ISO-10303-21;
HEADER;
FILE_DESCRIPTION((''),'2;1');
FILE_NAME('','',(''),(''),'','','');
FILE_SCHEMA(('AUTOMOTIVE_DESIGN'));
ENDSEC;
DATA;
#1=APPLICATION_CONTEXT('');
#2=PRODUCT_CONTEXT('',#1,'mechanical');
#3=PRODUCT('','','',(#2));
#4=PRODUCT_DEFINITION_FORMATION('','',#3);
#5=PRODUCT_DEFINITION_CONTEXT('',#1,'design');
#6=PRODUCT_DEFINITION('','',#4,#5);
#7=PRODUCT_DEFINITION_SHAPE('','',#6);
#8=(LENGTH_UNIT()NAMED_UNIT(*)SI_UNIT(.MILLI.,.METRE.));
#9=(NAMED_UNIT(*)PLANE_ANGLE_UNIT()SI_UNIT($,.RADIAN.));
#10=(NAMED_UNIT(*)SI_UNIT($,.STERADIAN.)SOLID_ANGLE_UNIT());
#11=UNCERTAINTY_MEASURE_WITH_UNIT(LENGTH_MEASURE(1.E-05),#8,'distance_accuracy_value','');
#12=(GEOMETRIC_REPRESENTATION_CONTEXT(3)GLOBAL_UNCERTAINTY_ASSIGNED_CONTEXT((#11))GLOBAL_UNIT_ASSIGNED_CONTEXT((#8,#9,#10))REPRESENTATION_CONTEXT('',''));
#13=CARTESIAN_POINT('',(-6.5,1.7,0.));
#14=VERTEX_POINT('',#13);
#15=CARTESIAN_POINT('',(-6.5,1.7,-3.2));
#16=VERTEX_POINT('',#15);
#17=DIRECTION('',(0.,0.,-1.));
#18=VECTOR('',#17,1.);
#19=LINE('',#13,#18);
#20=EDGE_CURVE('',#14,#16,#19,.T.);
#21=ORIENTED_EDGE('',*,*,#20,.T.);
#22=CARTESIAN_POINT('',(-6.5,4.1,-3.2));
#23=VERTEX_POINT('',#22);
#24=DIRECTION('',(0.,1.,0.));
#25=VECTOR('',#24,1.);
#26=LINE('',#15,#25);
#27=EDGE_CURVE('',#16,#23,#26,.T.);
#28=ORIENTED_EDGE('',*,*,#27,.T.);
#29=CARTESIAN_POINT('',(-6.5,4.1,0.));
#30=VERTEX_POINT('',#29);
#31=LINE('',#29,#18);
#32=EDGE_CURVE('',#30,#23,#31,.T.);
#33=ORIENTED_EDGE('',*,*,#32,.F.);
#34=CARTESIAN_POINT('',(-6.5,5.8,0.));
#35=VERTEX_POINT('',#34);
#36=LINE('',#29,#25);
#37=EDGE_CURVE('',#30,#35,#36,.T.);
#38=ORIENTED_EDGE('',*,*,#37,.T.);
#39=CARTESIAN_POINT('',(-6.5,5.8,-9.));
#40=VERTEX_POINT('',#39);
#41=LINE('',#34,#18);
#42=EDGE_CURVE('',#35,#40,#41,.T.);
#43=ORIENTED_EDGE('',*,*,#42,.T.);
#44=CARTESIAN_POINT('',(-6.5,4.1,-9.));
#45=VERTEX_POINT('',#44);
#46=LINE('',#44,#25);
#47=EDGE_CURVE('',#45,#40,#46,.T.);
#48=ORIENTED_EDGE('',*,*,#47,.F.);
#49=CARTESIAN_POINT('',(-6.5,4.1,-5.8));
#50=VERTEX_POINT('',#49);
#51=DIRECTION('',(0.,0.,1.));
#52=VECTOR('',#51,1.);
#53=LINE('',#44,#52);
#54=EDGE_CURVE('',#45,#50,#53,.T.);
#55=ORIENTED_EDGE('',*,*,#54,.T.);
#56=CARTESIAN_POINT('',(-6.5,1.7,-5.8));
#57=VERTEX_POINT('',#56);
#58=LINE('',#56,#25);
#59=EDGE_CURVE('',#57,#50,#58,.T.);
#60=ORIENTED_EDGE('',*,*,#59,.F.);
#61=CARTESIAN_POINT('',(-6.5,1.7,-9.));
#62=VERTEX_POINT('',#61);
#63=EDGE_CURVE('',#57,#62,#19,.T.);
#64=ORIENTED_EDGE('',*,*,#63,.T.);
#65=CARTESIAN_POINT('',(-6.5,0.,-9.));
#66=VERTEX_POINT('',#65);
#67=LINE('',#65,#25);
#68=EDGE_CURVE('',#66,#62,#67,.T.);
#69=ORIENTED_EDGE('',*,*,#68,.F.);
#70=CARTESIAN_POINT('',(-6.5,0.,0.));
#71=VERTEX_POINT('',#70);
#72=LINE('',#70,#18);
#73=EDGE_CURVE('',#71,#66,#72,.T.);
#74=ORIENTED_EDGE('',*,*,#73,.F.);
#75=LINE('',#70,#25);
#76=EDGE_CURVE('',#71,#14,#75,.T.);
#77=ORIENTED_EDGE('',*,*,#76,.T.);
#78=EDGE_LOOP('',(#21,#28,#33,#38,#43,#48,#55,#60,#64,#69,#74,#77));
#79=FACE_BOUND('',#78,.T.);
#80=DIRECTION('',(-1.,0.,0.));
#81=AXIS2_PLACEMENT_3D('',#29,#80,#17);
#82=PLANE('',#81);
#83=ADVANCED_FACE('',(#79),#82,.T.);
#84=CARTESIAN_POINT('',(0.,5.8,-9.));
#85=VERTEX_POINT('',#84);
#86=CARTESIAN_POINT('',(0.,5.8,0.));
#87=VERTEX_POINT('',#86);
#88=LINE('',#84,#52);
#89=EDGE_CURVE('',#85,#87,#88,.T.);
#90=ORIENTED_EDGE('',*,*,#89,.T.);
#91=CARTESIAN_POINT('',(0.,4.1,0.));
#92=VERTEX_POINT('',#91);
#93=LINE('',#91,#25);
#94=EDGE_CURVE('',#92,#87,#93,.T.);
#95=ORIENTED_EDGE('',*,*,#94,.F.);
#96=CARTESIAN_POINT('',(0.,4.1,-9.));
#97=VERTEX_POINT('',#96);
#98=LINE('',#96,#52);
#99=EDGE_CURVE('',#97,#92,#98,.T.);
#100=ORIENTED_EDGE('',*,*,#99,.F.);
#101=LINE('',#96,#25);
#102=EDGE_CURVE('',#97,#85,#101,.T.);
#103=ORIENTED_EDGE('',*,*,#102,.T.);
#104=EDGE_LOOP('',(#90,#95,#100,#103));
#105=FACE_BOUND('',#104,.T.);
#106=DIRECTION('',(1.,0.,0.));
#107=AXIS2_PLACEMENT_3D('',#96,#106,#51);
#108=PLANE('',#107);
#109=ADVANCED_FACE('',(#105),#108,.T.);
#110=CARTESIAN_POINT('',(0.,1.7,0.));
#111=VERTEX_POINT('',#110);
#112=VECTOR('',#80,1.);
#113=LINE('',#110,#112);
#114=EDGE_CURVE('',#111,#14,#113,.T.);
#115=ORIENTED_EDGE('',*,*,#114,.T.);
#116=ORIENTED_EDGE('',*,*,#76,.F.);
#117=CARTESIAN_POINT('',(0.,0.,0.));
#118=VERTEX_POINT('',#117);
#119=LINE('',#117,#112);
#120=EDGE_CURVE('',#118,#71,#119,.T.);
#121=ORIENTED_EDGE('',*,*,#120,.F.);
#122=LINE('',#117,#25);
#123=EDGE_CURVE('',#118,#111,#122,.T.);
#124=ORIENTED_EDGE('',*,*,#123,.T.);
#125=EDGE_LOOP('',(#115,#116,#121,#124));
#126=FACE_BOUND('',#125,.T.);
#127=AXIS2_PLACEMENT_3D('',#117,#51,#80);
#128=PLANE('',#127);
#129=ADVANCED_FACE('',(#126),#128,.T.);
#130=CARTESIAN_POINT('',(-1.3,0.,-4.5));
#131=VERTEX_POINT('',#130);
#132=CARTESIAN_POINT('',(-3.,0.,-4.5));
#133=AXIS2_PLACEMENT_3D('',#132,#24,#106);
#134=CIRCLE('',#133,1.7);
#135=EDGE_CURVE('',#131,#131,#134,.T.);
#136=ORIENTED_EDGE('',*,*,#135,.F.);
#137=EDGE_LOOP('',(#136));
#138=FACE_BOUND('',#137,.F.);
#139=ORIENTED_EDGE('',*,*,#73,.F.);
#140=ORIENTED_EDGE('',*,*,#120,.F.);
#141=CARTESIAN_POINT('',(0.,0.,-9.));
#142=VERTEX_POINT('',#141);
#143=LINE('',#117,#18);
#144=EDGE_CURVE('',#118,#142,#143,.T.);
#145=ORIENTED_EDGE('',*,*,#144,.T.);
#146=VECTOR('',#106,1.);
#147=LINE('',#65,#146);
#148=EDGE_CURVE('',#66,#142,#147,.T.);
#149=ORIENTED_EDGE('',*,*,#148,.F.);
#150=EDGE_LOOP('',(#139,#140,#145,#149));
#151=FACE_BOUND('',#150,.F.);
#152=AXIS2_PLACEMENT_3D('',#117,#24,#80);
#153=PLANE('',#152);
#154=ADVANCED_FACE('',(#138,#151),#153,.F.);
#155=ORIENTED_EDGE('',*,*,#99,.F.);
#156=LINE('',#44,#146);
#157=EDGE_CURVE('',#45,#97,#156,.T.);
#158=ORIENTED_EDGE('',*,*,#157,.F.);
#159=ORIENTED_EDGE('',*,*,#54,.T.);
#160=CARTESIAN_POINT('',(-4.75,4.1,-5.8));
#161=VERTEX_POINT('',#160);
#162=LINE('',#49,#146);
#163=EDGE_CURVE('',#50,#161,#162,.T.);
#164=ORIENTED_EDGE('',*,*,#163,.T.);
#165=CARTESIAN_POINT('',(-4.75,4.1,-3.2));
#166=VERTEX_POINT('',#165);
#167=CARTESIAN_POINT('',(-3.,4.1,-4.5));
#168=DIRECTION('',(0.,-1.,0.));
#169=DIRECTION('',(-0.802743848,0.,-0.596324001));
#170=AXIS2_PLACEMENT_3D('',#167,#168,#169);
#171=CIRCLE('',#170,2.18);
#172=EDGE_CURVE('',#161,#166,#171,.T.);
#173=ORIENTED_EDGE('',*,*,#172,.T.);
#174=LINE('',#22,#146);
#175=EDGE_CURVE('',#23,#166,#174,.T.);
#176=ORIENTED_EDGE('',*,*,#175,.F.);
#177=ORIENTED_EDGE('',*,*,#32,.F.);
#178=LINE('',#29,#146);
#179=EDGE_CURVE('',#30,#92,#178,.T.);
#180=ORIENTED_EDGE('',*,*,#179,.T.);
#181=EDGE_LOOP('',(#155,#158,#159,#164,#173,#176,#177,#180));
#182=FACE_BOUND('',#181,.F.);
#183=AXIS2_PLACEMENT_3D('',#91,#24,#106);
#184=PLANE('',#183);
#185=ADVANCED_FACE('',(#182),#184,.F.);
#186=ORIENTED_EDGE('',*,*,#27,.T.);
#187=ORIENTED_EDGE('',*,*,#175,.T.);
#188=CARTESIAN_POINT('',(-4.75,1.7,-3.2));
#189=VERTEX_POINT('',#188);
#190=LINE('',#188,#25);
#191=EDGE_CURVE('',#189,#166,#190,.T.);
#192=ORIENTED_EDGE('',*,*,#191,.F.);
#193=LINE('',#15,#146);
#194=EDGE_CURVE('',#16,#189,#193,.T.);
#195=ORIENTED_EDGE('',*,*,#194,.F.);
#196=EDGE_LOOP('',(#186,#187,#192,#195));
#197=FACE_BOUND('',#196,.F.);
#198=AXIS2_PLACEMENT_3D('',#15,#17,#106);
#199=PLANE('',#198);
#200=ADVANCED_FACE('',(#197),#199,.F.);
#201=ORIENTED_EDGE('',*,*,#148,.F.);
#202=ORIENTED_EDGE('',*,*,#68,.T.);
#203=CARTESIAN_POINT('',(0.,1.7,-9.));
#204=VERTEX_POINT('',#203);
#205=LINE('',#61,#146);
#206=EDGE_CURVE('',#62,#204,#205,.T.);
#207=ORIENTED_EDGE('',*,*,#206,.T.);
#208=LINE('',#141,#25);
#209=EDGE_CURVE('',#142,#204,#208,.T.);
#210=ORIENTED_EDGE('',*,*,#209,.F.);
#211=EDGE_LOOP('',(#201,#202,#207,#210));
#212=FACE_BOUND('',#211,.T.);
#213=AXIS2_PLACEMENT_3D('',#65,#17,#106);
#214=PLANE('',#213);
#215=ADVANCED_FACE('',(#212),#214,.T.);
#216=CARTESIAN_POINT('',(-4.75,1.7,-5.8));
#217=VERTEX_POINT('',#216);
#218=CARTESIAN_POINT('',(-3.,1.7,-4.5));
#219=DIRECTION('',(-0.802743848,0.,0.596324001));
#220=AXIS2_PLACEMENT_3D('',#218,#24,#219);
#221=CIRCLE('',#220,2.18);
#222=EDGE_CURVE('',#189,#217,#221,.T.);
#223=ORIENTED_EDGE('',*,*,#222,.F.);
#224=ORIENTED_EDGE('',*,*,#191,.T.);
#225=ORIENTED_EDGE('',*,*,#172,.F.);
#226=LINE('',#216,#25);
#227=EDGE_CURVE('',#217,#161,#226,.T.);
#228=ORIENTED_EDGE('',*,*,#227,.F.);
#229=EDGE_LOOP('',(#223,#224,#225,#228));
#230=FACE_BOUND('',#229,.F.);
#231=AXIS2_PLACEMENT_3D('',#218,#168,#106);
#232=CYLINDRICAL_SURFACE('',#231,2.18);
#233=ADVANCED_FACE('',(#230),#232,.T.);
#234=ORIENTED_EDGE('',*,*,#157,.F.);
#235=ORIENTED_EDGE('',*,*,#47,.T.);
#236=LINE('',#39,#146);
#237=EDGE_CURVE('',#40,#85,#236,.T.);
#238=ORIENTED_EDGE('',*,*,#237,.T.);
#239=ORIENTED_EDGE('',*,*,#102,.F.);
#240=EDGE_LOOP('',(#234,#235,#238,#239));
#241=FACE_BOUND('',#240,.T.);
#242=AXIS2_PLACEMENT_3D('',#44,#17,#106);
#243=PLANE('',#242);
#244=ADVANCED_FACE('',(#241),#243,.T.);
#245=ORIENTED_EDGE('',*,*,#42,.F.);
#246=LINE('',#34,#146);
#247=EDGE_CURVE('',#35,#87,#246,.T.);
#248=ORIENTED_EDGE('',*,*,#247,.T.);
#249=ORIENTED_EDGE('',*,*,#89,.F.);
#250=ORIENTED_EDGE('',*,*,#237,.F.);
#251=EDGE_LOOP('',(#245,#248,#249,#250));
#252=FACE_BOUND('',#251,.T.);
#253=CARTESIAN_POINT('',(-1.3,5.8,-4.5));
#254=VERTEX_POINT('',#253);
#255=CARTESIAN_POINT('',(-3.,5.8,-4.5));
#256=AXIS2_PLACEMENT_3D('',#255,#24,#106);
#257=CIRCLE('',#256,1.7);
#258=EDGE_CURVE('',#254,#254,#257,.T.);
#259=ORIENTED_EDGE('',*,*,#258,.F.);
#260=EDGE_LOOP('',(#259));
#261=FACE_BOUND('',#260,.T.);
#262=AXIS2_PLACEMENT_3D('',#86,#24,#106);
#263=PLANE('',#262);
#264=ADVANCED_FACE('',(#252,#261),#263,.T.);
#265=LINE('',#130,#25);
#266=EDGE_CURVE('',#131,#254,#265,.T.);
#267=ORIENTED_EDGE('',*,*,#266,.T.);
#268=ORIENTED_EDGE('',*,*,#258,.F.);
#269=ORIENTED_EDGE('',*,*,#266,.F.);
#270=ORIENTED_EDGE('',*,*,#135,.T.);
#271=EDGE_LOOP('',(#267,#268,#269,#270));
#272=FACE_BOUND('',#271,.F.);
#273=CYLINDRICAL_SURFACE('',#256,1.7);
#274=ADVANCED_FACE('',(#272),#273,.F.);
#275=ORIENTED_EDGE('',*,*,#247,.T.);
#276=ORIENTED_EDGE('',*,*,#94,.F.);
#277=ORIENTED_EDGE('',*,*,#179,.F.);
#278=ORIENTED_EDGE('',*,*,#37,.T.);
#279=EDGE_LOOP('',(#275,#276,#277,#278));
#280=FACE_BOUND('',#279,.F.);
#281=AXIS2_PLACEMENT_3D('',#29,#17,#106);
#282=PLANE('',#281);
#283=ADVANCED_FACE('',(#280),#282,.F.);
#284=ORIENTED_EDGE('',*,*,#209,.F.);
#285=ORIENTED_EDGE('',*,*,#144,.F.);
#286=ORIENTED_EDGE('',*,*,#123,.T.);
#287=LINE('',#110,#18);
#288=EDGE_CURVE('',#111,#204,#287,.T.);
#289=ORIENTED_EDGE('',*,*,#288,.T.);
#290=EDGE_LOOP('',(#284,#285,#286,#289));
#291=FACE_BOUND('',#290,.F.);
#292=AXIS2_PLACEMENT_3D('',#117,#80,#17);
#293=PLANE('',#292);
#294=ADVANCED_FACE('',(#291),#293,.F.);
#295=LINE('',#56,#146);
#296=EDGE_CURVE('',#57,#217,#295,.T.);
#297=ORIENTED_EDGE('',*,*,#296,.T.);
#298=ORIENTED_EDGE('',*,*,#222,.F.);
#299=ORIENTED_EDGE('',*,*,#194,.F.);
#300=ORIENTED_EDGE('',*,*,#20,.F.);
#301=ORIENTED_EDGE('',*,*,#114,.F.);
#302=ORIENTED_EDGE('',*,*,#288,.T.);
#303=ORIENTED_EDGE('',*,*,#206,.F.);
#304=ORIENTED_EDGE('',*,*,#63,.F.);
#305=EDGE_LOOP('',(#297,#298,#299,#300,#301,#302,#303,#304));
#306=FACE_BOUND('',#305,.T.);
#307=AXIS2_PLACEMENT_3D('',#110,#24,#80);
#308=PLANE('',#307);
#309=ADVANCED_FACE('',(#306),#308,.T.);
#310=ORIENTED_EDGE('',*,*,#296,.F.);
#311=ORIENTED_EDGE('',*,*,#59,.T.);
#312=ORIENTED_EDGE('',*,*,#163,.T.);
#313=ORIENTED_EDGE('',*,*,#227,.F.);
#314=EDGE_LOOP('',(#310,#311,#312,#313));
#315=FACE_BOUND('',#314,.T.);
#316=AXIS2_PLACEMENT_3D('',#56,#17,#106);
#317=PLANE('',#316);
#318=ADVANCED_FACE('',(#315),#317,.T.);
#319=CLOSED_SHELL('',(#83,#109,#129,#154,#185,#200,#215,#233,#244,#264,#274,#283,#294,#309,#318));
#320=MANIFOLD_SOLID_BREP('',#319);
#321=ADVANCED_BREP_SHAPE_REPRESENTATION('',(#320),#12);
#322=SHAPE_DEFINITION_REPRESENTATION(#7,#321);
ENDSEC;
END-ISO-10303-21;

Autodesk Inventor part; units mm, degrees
ref_plane "YZ Plane" through (0, 0, 0) normal (1, 0, 0) x (0, 1, 0)
ref_plane "XZ Plane" through (0, 0, 0) normal (0, 1, 0) x (-1, 0, 0)
ref_plane "XY Plane" through (0, 0, 0) normal (0, 0, 1) x (1, 0, 0)
sketch "Sketch1" plane through (0, 0, 0) normal (0, 1, 0) x (-1, 0, 0)
  line L0 (0, 0) -> (6.5, 0)
  line L1 (6.5, 0) -> (6.5, -9)
  line L2 (6.5, -9) -> (0, -9)
  line L3 (0, 0) -> (0, -9)
  dimension "d0" = 6.5
  dimension "d1" = 9
extrude "Extrusion1" add sketch "Sketch1" along normal blind 1.7
sketch "Sketch2" plane through (0, 1.7, 0) normal (0, 1, 0) x (1, 0, 0)
  circle A0 centre (-3, 4.5) radius 1.7
  dimension "d9" = 3.4
extrude "Extrusion2" cut sketch "Sketch2" against normal blind 1.7
sketch "Sketch3" plane through (0, 1.7, 0) normal (0, 1, 0) x (1, 0, 0)
  circle A0 centre (-3, 4.5) radius 2.18
  line L0 (-6.5, 3.2) -> (-4.75, 3.2)
  line L1 (-6.5, 5.8) -> (-4.75, 5.8)
  line L2 (-6.5, 3.2) -> (-6.5, 5.8)
  line L3 (-6.5, 9) -> (-6.5, 0) projected
  dimension "d12" = 4.36
extrude "Extrusion3" add sketch "Sketch3" along normal blind 2.4
sketch "Sketch4" plane through (0, 4.1, 0) normal (0, 1, 0) x (1, 0, 0)
  line L0 (-6.5, 0) -> (0, 0) projected
  line L1 (-6.5, 9) -> (-6.5, 5.8) projected
  line L2 (0, 0) -> (-6.5, 0)
  line L3 (-6.5, 0) -> (-6.5, 9)
  line L4 (-6.5, 9) -> (0, 9)
  line L5 (0, 9) -> (0, 0)
extrude "Extrusion4" add sketch "Sketch4" along normal blind 1.7
sketch "Sketch5" plane through (0, 5.8, 0) normal (0, 1, 0) x (1, 0, 0)
  circle A0 centre (-3, 4.5) radius 1.7 projected
  circle A1 centre (-3, 4.5) radius 1.7
  dimension "d20" = 3.4
extrude "Extrusion5" cut sketch "Sketch5" against normal blind 5.8
properties part number "MMAE 232 Assignment 2_Rubber Grommet - Dylan Tamras"
